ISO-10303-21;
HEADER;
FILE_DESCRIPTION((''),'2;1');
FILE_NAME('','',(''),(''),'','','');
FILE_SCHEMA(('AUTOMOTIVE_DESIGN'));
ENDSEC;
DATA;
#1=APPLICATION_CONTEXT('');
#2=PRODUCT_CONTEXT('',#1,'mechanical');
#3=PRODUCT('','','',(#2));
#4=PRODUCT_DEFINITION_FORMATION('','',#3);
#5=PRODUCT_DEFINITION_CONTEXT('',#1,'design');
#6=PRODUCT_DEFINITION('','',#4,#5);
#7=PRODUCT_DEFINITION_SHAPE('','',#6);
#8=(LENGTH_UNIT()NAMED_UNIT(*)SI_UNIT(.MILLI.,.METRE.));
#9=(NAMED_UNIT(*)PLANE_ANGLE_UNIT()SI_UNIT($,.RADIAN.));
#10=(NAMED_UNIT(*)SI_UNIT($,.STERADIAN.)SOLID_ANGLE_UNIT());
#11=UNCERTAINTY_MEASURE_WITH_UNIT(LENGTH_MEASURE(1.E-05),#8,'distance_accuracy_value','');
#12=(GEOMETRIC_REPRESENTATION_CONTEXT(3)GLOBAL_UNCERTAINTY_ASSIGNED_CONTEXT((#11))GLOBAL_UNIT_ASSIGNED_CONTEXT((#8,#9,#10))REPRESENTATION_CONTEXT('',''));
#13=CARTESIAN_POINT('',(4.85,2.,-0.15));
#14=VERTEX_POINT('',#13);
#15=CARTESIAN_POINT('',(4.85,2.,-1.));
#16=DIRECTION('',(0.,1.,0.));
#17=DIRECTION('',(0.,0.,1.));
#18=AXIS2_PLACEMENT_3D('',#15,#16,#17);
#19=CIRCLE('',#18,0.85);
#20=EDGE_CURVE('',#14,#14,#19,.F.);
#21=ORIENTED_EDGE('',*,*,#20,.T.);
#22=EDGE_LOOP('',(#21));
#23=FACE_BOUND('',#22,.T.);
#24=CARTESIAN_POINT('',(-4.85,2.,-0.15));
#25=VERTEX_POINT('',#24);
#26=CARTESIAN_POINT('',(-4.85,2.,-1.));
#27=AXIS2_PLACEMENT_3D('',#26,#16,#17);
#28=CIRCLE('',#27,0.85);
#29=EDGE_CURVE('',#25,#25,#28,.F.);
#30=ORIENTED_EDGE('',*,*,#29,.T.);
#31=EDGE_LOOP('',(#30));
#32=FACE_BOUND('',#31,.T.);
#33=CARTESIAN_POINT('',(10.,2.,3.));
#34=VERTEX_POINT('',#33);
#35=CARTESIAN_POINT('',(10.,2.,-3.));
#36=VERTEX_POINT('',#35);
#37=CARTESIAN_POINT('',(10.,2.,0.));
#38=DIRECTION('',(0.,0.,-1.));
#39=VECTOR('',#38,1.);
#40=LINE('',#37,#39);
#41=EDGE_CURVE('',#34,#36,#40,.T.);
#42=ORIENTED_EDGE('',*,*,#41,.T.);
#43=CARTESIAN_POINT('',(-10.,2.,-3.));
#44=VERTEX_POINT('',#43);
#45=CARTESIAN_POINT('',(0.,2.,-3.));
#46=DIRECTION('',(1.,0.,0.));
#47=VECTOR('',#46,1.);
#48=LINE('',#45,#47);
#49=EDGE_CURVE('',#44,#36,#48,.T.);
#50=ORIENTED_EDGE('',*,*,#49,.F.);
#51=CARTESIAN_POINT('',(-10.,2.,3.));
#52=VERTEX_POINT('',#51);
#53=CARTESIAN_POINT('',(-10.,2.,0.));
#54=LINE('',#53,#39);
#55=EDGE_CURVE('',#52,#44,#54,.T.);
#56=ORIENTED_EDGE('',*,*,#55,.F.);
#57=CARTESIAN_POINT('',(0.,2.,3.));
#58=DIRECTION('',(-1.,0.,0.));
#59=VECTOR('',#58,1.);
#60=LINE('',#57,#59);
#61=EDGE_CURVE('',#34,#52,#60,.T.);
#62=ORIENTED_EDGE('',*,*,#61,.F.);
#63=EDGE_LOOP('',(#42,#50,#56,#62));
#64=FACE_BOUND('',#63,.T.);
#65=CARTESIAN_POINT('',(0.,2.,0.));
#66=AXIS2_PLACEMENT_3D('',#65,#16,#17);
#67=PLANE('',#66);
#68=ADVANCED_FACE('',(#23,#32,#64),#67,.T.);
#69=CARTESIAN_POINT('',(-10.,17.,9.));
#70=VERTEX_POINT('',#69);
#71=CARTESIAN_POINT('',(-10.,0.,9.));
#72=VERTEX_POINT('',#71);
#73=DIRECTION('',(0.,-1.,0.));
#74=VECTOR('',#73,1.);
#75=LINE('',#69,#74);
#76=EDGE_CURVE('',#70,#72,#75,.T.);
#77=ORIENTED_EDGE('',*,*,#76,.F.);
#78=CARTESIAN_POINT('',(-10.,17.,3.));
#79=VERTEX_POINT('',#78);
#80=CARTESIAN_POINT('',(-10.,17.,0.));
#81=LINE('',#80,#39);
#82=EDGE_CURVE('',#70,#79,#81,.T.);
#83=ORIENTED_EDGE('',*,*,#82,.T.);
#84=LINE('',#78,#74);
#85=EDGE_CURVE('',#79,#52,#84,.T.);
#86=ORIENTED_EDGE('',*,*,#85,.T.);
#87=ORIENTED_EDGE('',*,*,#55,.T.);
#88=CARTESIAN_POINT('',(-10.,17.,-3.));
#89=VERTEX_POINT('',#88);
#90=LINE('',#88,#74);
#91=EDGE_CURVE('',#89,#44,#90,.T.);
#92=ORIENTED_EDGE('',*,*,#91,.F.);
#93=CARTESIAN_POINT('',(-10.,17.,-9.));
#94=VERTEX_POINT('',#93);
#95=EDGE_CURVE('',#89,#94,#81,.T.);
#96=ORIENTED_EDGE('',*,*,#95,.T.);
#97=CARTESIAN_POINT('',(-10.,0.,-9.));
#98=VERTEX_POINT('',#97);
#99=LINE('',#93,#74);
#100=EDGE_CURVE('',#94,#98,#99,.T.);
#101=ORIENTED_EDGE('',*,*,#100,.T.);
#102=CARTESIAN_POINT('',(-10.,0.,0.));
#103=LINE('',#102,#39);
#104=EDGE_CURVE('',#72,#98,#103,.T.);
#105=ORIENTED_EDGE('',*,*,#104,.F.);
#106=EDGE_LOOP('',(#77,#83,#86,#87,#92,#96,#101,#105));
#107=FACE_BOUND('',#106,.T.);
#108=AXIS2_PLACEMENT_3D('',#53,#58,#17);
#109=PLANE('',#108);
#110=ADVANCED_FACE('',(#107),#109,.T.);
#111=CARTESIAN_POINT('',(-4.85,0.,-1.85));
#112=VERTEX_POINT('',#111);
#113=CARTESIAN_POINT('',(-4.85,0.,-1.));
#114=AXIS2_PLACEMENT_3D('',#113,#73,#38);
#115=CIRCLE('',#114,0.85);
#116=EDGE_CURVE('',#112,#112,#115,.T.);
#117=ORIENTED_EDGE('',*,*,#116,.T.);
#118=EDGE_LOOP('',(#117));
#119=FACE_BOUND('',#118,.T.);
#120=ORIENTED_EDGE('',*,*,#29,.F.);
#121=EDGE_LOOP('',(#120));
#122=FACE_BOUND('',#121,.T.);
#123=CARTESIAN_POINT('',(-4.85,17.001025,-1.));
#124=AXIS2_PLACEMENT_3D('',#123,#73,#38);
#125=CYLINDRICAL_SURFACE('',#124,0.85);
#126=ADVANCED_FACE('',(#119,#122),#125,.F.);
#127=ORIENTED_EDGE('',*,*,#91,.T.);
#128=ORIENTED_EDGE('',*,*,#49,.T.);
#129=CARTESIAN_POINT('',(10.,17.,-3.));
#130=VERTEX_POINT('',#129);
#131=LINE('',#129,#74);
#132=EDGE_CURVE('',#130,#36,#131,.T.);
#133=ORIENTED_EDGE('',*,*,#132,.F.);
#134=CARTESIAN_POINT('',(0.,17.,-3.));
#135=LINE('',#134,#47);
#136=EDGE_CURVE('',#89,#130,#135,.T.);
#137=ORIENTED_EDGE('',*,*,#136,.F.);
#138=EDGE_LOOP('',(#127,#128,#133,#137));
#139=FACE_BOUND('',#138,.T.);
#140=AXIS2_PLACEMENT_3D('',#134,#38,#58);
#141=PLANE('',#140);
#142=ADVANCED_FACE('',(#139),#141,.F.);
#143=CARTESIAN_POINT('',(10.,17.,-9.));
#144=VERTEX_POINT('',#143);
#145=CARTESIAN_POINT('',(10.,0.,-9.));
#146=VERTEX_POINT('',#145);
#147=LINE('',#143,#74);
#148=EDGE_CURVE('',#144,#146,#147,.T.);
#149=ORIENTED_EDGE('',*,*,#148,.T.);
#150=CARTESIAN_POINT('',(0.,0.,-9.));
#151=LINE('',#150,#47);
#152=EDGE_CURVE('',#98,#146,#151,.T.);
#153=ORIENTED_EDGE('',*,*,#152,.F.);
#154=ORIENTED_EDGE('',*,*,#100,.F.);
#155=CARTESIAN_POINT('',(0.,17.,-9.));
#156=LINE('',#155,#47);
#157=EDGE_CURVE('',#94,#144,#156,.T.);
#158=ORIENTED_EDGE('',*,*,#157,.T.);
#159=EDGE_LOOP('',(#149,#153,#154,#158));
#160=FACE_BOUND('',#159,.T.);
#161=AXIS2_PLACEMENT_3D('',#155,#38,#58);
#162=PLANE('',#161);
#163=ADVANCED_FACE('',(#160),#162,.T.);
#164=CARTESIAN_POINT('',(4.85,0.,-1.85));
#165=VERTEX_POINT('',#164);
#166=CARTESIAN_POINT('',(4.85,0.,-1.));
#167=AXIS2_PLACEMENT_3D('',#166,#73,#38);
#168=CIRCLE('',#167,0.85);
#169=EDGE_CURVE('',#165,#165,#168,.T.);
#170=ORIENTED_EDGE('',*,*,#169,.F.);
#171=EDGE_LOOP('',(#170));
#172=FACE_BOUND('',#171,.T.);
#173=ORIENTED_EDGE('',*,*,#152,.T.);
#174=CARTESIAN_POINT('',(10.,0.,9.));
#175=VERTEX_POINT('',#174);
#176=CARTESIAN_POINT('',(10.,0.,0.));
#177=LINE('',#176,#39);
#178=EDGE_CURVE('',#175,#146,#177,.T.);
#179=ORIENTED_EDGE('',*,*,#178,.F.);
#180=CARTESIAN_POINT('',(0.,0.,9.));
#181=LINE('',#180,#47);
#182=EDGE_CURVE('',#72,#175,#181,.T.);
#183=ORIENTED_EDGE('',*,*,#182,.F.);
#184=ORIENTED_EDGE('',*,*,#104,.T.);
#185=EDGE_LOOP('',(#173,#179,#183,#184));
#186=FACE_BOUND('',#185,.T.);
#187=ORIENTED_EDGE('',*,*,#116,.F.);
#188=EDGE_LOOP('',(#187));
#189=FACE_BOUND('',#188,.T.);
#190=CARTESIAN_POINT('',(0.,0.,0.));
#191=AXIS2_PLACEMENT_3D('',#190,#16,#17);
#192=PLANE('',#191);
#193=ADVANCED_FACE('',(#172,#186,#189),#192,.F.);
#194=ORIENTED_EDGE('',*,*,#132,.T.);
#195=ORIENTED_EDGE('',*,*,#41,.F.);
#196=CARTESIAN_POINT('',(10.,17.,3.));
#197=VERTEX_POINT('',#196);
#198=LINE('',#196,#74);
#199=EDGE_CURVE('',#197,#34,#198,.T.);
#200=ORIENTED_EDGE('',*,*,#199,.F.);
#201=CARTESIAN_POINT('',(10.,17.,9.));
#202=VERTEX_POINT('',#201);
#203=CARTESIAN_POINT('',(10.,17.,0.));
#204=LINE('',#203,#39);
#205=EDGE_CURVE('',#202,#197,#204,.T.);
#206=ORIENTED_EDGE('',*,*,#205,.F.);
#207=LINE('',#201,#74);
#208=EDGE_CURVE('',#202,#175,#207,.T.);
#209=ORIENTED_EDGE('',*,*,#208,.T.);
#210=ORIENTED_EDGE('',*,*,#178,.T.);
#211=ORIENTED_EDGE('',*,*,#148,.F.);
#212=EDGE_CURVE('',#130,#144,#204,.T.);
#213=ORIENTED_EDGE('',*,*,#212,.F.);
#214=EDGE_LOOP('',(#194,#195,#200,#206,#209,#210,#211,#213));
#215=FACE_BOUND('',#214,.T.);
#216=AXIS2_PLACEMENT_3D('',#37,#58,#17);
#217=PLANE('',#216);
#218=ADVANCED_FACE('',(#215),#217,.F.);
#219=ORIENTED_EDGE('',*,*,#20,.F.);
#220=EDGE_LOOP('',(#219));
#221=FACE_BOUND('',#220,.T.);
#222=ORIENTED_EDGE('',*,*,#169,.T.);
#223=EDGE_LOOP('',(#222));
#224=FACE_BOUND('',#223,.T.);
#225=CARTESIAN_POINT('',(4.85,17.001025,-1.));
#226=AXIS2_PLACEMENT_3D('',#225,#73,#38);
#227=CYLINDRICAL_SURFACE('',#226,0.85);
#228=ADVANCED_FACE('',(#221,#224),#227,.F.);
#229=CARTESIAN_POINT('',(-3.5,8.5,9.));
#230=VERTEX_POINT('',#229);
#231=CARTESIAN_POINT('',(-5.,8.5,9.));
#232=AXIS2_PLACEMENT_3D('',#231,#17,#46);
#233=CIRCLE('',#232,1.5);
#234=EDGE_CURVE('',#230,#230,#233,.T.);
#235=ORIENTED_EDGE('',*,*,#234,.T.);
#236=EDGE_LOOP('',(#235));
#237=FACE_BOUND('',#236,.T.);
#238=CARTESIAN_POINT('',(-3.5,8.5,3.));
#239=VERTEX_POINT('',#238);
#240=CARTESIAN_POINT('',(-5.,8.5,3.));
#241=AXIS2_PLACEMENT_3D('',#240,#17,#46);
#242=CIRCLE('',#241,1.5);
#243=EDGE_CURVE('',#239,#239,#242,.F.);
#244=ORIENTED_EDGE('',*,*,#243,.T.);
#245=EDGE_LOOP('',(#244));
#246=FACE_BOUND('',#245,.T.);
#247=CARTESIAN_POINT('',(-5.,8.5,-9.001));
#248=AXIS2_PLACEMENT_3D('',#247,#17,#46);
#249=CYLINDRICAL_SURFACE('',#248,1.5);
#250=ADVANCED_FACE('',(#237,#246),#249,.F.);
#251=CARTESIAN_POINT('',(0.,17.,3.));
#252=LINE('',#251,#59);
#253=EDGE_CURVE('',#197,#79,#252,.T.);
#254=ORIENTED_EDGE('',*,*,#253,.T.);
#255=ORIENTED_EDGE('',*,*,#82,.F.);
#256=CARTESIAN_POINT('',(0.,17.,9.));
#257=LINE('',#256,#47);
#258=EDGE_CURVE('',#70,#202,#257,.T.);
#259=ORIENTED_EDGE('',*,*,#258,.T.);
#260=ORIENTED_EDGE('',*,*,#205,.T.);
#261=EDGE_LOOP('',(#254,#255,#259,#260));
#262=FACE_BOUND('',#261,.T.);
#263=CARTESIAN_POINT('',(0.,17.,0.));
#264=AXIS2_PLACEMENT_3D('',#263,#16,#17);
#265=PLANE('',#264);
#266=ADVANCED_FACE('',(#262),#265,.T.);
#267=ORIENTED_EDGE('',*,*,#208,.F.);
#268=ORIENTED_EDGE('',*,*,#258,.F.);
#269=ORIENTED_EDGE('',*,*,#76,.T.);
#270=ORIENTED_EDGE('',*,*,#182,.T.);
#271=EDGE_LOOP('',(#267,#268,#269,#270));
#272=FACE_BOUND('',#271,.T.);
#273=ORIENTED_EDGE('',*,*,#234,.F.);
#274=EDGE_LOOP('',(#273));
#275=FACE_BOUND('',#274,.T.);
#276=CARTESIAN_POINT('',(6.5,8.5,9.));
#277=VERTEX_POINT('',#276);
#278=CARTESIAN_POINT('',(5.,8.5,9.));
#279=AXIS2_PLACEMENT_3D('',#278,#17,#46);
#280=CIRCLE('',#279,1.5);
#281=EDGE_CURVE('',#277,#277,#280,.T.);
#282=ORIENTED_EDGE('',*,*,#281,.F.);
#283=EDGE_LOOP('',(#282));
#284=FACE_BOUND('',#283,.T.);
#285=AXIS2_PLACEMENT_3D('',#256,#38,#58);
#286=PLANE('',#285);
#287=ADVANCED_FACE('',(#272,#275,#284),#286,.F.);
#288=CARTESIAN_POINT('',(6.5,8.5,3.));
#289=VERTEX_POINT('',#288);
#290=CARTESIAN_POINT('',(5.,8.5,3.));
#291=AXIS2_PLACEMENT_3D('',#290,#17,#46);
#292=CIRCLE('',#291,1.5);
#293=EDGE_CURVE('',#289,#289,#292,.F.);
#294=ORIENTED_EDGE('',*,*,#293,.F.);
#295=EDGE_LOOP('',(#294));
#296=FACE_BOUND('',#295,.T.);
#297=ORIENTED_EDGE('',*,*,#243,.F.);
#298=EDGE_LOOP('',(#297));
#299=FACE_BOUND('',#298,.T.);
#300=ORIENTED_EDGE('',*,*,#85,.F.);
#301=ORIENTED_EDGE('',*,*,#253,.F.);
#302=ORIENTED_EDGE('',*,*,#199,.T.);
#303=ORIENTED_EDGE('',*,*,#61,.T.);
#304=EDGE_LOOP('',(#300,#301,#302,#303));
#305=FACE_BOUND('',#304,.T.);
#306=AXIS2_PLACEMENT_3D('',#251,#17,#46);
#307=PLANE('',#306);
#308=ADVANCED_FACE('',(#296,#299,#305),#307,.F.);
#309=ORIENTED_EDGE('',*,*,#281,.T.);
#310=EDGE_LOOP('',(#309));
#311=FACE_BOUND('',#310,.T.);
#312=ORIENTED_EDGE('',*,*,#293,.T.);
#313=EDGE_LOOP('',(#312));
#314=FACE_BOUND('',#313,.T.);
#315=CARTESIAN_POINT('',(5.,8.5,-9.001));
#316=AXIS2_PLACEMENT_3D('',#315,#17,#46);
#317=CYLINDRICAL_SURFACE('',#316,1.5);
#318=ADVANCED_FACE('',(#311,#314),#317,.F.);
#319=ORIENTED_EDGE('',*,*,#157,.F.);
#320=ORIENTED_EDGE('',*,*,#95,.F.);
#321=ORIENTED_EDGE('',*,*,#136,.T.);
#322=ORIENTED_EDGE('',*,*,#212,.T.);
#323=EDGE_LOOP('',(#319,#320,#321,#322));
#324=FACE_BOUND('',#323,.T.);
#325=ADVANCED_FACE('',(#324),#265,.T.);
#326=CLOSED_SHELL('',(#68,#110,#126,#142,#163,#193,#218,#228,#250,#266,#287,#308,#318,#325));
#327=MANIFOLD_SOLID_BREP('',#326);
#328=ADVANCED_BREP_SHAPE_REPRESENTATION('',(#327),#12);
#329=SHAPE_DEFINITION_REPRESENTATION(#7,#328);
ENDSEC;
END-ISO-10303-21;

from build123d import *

# Parameters (mm, degrees)
ESQUISSE1_W             = 20
ESQUISSE1_H             = 6
BOSS_EXTRU_1_DEPTH      = 2
ESQUISSE1_4_W           = 20
ESQUISSE1_4_H           = 6
BOSS_EXTRU_2_DEPTH      = 17
ESQUISSE1_5_W           = 20
ESQUISSE1_5_H           = 6
BOSS_EXTRU_3_DEPTH      = 17
ENL_V_MAT_EXTRU_1_REACH = 28.702
ESQUISSE2_R             = 1.5
ENL_V_MAT_EXTRU_2_REACH = 23.679
ESQUISSE3_R             = 0.85


with BuildPart() as part:
    # Esquisse1 → Boss.-Extru.1 (new body)
    with BuildSketch(Plane(origin=(0, 0, 0), x_dir=(1, 0, 0), z_dir=(0, 1, 0))):
        Rectangle(ESQUISSE1_W, ESQUISSE1_H)
    extrude(amount=BOSS_EXTRU_1_DEPTH)

    # Esquisse1<4> → Boss.-Extru.2 (add)
    with BuildSketch(Plane(origin=(0, 0, 0), x_dir=(1, 0, 0), z_dir=(0, 1, 0))):
        with Locations((0, -6)):
            Rectangle(ESQUISSE1_4_W, ESQUISSE1_4_H)
    extrude(amount=BOSS_EXTRU_2_DEPTH)

    # Esquisse1<5> → Boss.-Extru.3 (add)
    with BuildSketch(Plane(origin=(0, 0, 0), x_dir=(1, 0, 0), z_dir=(0, 1, 0))):
        with Locations((0, 6)):
            Rectangle(ESQUISSE1_5_W, ESQUISSE1_5_H)
    extrude(amount=BOSS_EXTRU_3_DEPTH)

    # Esquisse2 → Enlèv. mat.-Extru.1 (cut, up to next)
    with BuildSketch(Plane.XY.offset(9), mode=Mode.PRIVATE) as enl_v_mat_extru_1_sk1:
        with Locations((-5, 8.5)):
            Circle(ESQUISSE2_R)
    enl_v_mat_extru_1_tool1 = extrude(enl_v_mat_extru_1_sk1.sketch, amount=-ENL_V_MAT_EXTRU_1_REACH, mode=Mode.PRIVATE) & part.part
    # Esquisse2 → Enlèv. mat.-Extru.1 (cut, up to next)
    with BuildSketch(Plane.XY.offset(9), mode=Mode.PRIVATE) as enl_v_mat_extru_1_sk2:
        with Locations((5, 8.5)):
            Circle(ESQUISSE2_R)
    enl_v_mat_extru_1_tool2 = extrude(enl_v_mat_extru_1_sk2.sketch, amount=-ENL_V_MAT_EXTRU_1_REACH, mode=Mode.PRIVATE) & part.part
    add(enl_v_mat_extru_1_tool1.solids().sort_by_distance((-5, 8.5, 9))[0], mode=Mode.SUBTRACT)
    add(enl_v_mat_extru_1_tool2.solids().sort_by_distance((5, 8.5, 9))[0], mode=Mode.SUBTRACT)

    # Esquisse3 → Enlèv. mat.-Extru.2 (cut, up to next)
    with BuildSketch(Plane.XZ, mode=Mode.PRIVATE) as enl_v_mat_extru_2_sk1:
        with Locations((-4.85, -1)):
            Circle(ESQUISSE3_R)
    enl_v_mat_extru_2_tool1 = extrude(enl_v_mat_extru_2_sk1.sketch, amount=-ENL_V_MAT_EXTRU_2_REACH, mode=Mode.PRIVATE) & part.part
    # Esquisse3 → Enlèv. mat.-Extru.2 (cut, up to next)
    with BuildSketch(Plane.XZ, mode=Mode.PRIVATE) as enl_v_mat_extru_2_sk2:
        with Locations((4.85, -1)):
            Circle(ESQUISSE3_R)
    enl_v_mat_extru_2_tool2 = extrude(enl_v_mat_extru_2_sk2.sketch, amount=-ENL_V_MAT_EXTRU_2_REACH, mode=Mode.PRIVATE) & part.part
    add(enl_v_mat_extru_2_tool1.solids().sort_by_distance((-4.85, 0, -1))[0], mode=Mode.SUBTRACT)
    add(enl_v_mat_extru_2_tool2.solids().sort_by_distance((4.85, 0, -1))[0], mode=Mode.SUBTRACT)


solid = part.part
